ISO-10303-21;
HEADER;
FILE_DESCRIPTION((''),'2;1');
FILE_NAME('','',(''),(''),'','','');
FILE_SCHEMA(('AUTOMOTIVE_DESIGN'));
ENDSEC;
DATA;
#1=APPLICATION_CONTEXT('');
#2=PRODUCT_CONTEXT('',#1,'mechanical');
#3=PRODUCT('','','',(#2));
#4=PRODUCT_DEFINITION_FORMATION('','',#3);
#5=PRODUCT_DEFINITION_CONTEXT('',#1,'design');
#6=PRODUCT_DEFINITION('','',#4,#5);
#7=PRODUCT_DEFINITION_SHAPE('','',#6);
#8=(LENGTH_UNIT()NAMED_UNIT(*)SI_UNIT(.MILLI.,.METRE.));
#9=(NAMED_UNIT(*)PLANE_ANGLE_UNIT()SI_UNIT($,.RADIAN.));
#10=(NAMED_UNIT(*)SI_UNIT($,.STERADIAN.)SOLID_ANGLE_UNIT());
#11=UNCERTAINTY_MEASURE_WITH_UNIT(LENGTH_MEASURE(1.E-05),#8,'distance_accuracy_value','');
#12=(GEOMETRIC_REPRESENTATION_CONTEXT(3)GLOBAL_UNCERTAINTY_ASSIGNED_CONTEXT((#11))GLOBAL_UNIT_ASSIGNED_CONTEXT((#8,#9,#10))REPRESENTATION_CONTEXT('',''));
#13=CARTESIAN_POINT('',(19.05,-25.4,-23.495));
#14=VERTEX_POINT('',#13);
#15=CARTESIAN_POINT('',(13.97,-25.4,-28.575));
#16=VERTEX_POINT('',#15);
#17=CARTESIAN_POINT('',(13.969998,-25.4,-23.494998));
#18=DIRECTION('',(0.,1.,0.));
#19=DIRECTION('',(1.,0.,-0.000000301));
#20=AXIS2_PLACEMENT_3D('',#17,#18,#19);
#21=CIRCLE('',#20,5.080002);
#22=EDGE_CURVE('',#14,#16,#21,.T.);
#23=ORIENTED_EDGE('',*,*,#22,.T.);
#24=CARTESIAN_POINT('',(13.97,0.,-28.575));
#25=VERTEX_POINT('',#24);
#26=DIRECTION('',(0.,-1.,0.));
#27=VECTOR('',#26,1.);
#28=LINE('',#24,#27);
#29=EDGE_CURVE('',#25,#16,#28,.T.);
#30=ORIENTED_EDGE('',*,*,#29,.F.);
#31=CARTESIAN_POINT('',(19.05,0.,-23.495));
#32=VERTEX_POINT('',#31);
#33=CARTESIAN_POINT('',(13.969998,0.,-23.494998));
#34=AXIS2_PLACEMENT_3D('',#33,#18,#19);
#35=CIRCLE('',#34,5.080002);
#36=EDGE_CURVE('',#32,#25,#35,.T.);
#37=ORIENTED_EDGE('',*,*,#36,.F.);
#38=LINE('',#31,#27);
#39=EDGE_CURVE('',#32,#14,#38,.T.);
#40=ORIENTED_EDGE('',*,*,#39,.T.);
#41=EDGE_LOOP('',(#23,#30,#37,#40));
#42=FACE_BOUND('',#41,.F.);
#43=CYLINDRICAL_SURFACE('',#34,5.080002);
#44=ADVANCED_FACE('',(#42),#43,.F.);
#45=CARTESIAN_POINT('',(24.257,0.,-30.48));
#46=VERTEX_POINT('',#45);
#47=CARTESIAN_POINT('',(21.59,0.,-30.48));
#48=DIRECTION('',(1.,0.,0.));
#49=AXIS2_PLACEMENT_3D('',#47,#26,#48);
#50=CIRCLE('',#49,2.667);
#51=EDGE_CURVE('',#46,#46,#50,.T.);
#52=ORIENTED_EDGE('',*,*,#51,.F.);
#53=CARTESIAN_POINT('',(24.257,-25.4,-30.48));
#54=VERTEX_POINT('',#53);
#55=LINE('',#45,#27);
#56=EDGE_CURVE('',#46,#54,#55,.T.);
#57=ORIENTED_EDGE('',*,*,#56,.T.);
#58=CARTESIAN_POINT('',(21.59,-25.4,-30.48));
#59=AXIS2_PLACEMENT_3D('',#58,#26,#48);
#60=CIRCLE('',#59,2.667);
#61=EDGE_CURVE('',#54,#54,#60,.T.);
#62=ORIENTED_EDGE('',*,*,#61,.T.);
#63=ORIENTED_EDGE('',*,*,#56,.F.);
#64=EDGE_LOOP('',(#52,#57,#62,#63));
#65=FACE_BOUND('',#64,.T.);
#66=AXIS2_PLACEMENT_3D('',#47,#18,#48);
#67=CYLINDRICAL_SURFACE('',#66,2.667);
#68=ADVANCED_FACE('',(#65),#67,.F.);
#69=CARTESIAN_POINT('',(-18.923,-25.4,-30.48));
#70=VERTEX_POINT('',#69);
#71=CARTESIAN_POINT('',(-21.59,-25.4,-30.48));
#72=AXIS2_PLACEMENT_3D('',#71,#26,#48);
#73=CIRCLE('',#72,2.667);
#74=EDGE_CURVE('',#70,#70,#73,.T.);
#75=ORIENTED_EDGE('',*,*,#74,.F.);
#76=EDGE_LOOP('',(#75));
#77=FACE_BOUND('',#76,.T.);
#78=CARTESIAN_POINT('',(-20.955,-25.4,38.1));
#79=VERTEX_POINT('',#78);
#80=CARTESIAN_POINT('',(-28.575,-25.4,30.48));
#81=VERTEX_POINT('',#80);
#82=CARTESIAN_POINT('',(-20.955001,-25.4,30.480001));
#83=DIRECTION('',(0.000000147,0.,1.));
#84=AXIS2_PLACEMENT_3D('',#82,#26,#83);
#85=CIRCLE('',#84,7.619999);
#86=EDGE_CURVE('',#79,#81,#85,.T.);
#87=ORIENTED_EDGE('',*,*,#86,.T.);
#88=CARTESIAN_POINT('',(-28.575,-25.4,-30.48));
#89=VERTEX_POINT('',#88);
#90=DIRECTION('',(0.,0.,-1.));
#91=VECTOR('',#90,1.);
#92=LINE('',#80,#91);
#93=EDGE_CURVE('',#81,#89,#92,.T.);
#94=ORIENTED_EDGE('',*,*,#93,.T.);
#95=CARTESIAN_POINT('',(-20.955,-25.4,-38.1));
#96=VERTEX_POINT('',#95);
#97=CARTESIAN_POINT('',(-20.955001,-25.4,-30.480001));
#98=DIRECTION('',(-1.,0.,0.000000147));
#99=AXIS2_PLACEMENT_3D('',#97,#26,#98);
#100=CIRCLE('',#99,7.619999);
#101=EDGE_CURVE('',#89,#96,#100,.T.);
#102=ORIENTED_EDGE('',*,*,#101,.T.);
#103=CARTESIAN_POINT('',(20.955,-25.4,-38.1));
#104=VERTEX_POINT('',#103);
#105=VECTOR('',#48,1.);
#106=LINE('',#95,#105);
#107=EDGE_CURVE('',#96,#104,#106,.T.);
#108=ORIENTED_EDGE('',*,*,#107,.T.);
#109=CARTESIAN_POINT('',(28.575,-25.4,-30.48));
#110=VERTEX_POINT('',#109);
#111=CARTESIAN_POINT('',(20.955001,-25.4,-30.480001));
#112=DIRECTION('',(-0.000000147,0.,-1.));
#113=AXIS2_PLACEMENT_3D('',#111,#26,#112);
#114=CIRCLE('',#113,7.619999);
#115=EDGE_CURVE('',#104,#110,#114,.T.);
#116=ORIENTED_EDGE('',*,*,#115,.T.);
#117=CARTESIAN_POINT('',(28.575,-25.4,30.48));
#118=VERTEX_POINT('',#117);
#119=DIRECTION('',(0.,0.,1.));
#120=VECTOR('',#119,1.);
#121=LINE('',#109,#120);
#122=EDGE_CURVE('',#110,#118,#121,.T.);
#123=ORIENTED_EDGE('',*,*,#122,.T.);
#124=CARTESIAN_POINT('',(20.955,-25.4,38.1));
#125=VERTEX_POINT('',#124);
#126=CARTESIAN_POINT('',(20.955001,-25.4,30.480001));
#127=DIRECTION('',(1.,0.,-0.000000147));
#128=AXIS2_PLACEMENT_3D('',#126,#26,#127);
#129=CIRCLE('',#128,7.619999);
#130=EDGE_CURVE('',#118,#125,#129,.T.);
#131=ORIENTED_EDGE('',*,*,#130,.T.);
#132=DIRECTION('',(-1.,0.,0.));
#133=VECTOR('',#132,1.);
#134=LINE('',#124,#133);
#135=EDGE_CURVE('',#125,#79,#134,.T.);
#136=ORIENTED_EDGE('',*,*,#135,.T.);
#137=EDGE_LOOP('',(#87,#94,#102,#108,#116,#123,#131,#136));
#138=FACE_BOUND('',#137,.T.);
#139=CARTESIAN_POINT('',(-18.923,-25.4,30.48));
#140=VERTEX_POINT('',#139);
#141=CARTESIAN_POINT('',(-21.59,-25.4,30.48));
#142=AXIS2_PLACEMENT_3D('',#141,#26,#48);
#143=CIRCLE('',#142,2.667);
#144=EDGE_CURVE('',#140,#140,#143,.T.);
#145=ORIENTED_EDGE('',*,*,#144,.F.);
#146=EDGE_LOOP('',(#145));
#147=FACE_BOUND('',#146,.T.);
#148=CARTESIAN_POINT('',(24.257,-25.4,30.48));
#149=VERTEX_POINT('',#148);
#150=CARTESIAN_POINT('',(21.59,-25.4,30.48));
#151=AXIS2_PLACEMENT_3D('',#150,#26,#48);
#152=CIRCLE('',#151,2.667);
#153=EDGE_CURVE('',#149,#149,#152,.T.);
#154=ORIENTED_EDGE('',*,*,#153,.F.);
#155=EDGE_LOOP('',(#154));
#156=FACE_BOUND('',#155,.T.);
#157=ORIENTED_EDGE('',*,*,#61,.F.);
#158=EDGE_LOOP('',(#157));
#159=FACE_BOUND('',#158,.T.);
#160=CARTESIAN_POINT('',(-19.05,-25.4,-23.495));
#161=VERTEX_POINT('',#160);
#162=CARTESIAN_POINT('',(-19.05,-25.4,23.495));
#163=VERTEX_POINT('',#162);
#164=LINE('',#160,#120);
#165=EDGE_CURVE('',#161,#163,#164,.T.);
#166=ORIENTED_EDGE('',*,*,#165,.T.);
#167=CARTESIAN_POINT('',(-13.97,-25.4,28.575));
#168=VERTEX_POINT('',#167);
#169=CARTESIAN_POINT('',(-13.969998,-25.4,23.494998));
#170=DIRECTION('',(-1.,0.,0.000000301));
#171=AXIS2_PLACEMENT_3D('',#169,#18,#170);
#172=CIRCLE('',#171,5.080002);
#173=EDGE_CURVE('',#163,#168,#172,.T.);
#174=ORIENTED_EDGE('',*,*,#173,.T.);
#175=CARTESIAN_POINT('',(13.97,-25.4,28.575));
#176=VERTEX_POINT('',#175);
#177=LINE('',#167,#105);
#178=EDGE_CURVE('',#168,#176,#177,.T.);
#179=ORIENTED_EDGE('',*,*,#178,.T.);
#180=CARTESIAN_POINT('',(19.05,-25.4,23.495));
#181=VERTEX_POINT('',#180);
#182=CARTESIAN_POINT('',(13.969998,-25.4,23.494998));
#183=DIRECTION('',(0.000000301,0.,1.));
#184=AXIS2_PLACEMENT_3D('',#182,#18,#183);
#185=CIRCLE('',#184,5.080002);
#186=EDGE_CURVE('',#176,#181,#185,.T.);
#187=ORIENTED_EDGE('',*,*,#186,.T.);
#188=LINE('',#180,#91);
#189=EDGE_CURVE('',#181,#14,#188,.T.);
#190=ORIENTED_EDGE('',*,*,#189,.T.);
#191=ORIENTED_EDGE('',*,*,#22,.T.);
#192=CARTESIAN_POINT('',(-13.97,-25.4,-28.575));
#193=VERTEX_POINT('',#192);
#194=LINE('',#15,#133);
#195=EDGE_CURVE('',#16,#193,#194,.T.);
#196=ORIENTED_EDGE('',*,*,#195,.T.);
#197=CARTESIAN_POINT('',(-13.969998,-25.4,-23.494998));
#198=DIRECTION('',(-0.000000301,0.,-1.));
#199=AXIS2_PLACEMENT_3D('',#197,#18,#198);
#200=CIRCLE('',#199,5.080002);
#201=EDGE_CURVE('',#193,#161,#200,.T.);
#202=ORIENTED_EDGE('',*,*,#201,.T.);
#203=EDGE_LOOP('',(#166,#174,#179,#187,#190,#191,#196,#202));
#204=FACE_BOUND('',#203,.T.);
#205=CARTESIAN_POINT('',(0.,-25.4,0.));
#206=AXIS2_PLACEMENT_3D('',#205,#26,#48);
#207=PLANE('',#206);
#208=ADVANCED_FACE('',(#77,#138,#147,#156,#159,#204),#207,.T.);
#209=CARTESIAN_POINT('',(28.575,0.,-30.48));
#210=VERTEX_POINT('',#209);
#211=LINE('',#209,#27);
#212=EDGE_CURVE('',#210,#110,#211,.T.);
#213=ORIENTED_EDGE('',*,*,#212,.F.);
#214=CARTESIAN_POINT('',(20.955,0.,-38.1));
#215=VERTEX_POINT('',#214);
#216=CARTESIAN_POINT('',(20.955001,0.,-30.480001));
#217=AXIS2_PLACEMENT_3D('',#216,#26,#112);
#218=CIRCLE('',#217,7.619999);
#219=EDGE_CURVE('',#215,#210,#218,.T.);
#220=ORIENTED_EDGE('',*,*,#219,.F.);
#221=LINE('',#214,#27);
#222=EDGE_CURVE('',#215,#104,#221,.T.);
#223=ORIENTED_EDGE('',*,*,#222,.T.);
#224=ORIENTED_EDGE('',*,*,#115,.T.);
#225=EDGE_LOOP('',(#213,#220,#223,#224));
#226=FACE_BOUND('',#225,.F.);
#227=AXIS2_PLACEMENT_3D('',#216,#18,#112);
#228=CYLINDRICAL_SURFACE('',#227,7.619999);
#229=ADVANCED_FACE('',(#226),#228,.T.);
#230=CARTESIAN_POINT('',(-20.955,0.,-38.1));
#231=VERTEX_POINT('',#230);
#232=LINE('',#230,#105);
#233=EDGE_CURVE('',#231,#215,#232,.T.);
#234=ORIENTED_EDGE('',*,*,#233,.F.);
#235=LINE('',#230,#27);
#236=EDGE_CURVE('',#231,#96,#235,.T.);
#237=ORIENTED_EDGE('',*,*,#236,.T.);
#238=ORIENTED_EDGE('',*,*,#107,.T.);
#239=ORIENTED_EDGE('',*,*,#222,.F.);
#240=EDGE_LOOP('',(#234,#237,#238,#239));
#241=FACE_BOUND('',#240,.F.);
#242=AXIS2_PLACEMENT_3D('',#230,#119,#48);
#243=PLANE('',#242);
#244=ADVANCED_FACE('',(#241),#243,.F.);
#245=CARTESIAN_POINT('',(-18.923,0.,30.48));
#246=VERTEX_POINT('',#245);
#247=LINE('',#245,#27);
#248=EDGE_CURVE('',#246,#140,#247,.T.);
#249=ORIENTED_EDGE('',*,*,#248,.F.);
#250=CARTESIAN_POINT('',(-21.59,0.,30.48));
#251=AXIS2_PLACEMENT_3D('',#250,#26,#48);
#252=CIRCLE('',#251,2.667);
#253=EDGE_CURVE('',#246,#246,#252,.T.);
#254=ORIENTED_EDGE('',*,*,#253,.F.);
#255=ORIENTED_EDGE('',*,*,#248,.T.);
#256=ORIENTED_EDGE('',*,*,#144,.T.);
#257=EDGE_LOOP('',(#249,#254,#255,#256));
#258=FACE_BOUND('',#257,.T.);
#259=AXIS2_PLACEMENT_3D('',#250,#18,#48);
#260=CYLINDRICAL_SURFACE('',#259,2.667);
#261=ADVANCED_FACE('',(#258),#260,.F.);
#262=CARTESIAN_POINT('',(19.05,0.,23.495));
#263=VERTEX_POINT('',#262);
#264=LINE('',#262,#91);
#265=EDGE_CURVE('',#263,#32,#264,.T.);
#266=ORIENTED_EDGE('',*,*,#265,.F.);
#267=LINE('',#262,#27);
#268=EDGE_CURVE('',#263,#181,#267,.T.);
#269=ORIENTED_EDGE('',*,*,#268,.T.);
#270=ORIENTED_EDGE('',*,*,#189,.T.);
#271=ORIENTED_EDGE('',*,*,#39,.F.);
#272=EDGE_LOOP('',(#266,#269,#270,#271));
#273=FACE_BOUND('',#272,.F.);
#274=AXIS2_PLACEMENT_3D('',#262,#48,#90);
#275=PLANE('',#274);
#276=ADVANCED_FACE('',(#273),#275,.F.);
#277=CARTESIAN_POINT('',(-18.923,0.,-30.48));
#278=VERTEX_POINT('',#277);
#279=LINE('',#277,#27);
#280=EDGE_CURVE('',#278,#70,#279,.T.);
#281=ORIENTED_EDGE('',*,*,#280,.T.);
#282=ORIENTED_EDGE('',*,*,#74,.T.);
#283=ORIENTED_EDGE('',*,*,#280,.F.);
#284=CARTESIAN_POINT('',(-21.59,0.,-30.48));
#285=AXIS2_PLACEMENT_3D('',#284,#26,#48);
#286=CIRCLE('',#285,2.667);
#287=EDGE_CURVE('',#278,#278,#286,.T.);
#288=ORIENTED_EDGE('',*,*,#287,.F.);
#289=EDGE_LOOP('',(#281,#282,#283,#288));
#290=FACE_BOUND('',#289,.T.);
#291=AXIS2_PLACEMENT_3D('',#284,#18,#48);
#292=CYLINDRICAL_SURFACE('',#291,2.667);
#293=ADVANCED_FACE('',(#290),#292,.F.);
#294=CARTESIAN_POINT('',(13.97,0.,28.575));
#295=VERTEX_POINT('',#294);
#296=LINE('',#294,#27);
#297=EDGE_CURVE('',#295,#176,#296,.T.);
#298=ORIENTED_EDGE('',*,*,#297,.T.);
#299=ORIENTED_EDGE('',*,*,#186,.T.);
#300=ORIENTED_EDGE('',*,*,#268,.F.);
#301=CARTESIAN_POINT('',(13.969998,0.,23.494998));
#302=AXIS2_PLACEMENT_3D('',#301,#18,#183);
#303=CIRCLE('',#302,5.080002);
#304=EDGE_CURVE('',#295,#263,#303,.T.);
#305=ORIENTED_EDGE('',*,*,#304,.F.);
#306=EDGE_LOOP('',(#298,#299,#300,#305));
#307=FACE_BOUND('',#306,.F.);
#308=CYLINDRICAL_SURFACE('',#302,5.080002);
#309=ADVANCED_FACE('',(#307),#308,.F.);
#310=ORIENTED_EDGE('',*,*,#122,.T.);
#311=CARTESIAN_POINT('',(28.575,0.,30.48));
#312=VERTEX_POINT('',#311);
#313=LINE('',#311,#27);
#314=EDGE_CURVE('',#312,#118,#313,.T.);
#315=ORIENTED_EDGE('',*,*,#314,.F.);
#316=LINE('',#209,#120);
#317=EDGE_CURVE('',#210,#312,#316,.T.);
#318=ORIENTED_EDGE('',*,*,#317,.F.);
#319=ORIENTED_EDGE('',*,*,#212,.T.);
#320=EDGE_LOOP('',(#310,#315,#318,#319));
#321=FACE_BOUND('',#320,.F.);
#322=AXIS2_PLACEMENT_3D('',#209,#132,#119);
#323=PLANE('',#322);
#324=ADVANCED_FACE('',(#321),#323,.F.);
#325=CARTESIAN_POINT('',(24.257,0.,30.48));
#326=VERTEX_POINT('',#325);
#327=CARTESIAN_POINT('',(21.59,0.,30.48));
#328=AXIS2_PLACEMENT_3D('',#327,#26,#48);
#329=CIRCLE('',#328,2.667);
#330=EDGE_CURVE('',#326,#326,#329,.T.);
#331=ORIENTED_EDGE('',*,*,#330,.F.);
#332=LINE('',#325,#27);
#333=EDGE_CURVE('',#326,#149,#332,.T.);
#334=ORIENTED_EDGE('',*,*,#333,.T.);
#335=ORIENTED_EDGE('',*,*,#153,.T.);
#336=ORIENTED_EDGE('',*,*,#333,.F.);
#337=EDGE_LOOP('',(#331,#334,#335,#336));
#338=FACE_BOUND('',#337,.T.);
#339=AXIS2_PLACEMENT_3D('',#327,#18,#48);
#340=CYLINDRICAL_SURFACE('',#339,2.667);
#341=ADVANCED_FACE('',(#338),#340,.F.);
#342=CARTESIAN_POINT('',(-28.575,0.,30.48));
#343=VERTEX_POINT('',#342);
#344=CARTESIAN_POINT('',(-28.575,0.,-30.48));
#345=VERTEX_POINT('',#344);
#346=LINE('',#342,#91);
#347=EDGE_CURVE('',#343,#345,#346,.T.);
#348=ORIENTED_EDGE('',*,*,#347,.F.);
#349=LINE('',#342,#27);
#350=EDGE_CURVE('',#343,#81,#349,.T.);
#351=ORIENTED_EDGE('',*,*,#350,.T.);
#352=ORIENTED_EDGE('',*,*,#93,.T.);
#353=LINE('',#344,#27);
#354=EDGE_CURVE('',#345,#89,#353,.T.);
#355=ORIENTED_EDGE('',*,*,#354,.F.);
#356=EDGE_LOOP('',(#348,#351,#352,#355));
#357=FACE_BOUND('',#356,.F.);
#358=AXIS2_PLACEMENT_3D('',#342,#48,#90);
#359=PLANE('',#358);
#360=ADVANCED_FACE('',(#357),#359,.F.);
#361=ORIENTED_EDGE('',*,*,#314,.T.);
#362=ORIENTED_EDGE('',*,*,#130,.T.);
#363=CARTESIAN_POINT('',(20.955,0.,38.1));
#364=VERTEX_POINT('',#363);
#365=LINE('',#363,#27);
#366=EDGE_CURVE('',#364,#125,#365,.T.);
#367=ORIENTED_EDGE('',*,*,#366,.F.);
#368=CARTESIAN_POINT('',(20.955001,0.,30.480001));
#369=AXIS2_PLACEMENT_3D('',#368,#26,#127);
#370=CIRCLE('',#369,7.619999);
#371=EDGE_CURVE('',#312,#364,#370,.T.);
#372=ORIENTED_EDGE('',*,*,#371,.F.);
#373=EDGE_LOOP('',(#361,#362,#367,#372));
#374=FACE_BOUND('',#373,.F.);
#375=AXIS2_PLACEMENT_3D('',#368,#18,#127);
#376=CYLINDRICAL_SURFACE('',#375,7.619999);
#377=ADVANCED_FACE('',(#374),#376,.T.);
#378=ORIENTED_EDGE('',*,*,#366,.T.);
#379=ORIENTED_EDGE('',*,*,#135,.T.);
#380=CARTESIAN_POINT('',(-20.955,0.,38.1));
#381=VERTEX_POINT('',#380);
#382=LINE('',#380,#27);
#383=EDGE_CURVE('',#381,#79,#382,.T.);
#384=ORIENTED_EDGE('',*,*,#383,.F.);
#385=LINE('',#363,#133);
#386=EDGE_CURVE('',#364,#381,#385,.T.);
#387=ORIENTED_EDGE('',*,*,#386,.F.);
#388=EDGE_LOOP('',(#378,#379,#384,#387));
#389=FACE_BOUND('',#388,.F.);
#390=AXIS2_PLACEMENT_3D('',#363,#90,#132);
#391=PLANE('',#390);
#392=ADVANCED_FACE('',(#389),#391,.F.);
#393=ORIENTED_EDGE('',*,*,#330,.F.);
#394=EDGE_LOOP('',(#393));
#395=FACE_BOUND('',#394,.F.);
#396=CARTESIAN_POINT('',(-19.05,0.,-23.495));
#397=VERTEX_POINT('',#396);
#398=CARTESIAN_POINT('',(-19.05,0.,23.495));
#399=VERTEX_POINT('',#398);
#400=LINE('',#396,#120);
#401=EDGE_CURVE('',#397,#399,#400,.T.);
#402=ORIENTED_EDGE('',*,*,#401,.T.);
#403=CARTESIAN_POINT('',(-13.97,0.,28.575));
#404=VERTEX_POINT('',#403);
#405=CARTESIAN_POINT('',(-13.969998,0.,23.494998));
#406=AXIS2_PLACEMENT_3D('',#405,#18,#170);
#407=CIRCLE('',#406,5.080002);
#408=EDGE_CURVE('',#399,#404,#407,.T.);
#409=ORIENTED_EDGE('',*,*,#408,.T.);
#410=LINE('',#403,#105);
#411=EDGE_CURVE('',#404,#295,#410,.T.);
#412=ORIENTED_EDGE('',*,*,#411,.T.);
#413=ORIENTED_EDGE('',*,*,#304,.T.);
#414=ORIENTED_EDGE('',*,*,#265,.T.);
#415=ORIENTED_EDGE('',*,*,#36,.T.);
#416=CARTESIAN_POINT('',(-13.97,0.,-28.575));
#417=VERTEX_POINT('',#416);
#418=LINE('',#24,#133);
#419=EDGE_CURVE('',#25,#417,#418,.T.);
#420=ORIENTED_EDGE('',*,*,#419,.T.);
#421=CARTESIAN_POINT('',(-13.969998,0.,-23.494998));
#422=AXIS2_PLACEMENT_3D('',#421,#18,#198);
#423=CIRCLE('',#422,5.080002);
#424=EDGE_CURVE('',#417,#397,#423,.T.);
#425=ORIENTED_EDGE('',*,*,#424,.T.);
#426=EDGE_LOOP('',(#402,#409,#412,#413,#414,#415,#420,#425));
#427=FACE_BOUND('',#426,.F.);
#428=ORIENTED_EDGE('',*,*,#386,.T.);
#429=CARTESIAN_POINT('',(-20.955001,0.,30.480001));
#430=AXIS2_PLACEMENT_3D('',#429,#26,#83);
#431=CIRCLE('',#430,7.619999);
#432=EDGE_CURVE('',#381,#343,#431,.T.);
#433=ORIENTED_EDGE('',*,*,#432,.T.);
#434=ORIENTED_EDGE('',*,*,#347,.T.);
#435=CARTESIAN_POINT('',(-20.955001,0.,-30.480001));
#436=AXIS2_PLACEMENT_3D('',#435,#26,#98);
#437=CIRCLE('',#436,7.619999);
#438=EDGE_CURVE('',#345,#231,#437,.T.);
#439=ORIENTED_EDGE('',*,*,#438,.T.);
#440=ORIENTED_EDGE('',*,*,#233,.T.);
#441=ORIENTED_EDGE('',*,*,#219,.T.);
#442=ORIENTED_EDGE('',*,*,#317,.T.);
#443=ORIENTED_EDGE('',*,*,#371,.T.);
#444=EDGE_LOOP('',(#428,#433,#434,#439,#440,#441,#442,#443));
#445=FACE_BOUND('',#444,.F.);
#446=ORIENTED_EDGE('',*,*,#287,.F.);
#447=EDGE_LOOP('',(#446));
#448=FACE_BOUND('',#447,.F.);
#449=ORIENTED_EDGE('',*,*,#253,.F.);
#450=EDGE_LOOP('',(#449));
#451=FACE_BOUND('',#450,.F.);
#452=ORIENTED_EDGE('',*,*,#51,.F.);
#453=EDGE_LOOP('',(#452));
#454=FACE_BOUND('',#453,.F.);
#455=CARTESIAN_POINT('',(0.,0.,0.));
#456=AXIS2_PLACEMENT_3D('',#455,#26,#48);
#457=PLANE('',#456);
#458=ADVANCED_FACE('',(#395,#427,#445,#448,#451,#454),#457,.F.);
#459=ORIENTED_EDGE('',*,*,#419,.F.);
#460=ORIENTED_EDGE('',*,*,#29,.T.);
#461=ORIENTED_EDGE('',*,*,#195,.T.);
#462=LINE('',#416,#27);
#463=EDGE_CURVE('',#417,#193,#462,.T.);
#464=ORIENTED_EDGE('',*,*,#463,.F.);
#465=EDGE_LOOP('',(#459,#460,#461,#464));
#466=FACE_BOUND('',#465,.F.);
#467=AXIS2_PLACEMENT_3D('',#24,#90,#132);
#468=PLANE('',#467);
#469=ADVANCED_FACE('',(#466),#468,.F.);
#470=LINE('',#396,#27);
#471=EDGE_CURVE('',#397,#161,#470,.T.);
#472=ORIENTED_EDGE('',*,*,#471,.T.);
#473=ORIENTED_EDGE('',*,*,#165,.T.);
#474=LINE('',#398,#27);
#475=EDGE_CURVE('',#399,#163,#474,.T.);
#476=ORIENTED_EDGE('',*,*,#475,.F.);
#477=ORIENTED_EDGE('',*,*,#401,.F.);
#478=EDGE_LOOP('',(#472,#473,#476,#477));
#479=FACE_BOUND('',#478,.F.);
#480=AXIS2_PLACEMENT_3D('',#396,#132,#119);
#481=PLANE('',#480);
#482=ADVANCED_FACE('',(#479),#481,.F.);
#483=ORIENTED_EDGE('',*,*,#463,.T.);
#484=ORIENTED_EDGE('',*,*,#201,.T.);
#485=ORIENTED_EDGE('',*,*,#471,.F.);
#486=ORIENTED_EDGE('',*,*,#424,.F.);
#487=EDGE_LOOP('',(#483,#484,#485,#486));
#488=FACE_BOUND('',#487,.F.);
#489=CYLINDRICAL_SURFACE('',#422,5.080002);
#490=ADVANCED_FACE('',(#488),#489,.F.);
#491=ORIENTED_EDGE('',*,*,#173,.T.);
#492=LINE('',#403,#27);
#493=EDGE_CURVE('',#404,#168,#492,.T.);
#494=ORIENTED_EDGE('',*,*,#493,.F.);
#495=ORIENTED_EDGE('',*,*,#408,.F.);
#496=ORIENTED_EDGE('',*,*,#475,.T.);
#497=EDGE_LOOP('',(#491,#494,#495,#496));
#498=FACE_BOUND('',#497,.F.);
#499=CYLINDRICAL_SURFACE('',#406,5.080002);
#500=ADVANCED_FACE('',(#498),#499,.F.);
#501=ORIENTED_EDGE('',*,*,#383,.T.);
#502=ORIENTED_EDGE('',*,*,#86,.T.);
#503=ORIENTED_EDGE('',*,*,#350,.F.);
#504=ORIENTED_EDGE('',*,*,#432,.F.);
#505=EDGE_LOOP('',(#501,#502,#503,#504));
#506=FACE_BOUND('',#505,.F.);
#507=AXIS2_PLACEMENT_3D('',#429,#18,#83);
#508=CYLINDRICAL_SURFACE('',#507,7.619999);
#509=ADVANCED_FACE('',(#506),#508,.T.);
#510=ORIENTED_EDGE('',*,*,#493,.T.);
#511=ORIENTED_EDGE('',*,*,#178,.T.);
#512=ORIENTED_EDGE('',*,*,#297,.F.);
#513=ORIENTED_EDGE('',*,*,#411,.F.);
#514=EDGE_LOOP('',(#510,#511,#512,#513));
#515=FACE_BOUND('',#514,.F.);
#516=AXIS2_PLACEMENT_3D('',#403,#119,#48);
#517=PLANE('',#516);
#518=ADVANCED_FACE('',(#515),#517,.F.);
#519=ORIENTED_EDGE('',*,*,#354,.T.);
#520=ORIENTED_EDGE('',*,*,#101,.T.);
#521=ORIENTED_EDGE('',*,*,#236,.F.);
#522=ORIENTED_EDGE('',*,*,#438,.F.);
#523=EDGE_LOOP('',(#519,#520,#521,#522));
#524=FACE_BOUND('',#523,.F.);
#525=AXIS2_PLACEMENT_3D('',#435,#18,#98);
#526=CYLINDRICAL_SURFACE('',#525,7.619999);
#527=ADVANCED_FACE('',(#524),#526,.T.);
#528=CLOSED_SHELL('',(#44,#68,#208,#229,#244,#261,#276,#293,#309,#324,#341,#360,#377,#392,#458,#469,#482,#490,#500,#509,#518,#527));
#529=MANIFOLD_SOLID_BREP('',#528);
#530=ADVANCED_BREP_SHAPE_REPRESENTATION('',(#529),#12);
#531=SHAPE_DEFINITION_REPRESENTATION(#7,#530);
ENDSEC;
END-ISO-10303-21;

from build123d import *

# Parameters (mm, degrees)
F0_R     = 2.667
F1_DEPTH = 25.4


with BuildPart() as f1:
    # F0 (on Front) → F1 (new body)
    with BuildSketch(Plane.XZ):
        with BuildLine():
            Line((20.955, 38.1), (-20.955, 38.1))
            ThreePointArc((-20.955, 38.1), (-26.343154, 35.868154), (-28.575, 30.48))
            Line((-28.575, 30.48), (-28.575, -30.48))
            ThreePointArc((-28.575, -30.48), (-26.343154, -35.868154), (-20.955, -38.1))
            Line((-20.955, -38.1), (20.955, -38.1))
            ThreePointArc((20.955, -38.1), (26.343154, -35.868154), (28.575, -30.48))
            Line((28.575, -30.48), (28.575, 30.48))
            ThreePointArc((28.575, 30.48), (26.343154, 35.868154), (20.955, 38.1))
        make_face()
        with Locations((-21.59, -30.48)):
            Circle(F0_R, mode=Mode.SUBTRACT)
        with Locations((21.59, -30.48)):
            Circle(F0_R, mode=Mode.SUBTRACT)
        with Locations((-21.59, 30.48)):
            Circle(F0_R, mode=Mode.SUBTRACT)
        with BuildLine():
            ThreePointArc((-19.05, 23.495), (-17.562102, 27.087102), (-13.97, 28.575))
            Line((-13.97, 28.575), (13.97, 28.575))
            ThreePointArc((13.97, 28.575), (17.562102, 27.087102), (19.05, 23.495))
            Line((19.05, 23.495), (19.05, -23.495))
            ThreePointArc((19.05, -23.495), (17.562102, -27.087102), (13.97, -28.575))
            Line((13.97, -28.575), (-13.97, -28.575))
            ThreePointArc((-13.97, -28.575), (-17.562102, -27.087102), (-19.05, -23.495))
            Line((-19.05, -23.495), (-19.05, 23.495))
        make_face(mode=Mode.SUBTRACT)
        with Locations((21.59, 30.48)):
            Circle(F0_R, mode=Mode.SUBTRACT)
    extrude(amount=F1_DEPTH)


solid = f1.part
